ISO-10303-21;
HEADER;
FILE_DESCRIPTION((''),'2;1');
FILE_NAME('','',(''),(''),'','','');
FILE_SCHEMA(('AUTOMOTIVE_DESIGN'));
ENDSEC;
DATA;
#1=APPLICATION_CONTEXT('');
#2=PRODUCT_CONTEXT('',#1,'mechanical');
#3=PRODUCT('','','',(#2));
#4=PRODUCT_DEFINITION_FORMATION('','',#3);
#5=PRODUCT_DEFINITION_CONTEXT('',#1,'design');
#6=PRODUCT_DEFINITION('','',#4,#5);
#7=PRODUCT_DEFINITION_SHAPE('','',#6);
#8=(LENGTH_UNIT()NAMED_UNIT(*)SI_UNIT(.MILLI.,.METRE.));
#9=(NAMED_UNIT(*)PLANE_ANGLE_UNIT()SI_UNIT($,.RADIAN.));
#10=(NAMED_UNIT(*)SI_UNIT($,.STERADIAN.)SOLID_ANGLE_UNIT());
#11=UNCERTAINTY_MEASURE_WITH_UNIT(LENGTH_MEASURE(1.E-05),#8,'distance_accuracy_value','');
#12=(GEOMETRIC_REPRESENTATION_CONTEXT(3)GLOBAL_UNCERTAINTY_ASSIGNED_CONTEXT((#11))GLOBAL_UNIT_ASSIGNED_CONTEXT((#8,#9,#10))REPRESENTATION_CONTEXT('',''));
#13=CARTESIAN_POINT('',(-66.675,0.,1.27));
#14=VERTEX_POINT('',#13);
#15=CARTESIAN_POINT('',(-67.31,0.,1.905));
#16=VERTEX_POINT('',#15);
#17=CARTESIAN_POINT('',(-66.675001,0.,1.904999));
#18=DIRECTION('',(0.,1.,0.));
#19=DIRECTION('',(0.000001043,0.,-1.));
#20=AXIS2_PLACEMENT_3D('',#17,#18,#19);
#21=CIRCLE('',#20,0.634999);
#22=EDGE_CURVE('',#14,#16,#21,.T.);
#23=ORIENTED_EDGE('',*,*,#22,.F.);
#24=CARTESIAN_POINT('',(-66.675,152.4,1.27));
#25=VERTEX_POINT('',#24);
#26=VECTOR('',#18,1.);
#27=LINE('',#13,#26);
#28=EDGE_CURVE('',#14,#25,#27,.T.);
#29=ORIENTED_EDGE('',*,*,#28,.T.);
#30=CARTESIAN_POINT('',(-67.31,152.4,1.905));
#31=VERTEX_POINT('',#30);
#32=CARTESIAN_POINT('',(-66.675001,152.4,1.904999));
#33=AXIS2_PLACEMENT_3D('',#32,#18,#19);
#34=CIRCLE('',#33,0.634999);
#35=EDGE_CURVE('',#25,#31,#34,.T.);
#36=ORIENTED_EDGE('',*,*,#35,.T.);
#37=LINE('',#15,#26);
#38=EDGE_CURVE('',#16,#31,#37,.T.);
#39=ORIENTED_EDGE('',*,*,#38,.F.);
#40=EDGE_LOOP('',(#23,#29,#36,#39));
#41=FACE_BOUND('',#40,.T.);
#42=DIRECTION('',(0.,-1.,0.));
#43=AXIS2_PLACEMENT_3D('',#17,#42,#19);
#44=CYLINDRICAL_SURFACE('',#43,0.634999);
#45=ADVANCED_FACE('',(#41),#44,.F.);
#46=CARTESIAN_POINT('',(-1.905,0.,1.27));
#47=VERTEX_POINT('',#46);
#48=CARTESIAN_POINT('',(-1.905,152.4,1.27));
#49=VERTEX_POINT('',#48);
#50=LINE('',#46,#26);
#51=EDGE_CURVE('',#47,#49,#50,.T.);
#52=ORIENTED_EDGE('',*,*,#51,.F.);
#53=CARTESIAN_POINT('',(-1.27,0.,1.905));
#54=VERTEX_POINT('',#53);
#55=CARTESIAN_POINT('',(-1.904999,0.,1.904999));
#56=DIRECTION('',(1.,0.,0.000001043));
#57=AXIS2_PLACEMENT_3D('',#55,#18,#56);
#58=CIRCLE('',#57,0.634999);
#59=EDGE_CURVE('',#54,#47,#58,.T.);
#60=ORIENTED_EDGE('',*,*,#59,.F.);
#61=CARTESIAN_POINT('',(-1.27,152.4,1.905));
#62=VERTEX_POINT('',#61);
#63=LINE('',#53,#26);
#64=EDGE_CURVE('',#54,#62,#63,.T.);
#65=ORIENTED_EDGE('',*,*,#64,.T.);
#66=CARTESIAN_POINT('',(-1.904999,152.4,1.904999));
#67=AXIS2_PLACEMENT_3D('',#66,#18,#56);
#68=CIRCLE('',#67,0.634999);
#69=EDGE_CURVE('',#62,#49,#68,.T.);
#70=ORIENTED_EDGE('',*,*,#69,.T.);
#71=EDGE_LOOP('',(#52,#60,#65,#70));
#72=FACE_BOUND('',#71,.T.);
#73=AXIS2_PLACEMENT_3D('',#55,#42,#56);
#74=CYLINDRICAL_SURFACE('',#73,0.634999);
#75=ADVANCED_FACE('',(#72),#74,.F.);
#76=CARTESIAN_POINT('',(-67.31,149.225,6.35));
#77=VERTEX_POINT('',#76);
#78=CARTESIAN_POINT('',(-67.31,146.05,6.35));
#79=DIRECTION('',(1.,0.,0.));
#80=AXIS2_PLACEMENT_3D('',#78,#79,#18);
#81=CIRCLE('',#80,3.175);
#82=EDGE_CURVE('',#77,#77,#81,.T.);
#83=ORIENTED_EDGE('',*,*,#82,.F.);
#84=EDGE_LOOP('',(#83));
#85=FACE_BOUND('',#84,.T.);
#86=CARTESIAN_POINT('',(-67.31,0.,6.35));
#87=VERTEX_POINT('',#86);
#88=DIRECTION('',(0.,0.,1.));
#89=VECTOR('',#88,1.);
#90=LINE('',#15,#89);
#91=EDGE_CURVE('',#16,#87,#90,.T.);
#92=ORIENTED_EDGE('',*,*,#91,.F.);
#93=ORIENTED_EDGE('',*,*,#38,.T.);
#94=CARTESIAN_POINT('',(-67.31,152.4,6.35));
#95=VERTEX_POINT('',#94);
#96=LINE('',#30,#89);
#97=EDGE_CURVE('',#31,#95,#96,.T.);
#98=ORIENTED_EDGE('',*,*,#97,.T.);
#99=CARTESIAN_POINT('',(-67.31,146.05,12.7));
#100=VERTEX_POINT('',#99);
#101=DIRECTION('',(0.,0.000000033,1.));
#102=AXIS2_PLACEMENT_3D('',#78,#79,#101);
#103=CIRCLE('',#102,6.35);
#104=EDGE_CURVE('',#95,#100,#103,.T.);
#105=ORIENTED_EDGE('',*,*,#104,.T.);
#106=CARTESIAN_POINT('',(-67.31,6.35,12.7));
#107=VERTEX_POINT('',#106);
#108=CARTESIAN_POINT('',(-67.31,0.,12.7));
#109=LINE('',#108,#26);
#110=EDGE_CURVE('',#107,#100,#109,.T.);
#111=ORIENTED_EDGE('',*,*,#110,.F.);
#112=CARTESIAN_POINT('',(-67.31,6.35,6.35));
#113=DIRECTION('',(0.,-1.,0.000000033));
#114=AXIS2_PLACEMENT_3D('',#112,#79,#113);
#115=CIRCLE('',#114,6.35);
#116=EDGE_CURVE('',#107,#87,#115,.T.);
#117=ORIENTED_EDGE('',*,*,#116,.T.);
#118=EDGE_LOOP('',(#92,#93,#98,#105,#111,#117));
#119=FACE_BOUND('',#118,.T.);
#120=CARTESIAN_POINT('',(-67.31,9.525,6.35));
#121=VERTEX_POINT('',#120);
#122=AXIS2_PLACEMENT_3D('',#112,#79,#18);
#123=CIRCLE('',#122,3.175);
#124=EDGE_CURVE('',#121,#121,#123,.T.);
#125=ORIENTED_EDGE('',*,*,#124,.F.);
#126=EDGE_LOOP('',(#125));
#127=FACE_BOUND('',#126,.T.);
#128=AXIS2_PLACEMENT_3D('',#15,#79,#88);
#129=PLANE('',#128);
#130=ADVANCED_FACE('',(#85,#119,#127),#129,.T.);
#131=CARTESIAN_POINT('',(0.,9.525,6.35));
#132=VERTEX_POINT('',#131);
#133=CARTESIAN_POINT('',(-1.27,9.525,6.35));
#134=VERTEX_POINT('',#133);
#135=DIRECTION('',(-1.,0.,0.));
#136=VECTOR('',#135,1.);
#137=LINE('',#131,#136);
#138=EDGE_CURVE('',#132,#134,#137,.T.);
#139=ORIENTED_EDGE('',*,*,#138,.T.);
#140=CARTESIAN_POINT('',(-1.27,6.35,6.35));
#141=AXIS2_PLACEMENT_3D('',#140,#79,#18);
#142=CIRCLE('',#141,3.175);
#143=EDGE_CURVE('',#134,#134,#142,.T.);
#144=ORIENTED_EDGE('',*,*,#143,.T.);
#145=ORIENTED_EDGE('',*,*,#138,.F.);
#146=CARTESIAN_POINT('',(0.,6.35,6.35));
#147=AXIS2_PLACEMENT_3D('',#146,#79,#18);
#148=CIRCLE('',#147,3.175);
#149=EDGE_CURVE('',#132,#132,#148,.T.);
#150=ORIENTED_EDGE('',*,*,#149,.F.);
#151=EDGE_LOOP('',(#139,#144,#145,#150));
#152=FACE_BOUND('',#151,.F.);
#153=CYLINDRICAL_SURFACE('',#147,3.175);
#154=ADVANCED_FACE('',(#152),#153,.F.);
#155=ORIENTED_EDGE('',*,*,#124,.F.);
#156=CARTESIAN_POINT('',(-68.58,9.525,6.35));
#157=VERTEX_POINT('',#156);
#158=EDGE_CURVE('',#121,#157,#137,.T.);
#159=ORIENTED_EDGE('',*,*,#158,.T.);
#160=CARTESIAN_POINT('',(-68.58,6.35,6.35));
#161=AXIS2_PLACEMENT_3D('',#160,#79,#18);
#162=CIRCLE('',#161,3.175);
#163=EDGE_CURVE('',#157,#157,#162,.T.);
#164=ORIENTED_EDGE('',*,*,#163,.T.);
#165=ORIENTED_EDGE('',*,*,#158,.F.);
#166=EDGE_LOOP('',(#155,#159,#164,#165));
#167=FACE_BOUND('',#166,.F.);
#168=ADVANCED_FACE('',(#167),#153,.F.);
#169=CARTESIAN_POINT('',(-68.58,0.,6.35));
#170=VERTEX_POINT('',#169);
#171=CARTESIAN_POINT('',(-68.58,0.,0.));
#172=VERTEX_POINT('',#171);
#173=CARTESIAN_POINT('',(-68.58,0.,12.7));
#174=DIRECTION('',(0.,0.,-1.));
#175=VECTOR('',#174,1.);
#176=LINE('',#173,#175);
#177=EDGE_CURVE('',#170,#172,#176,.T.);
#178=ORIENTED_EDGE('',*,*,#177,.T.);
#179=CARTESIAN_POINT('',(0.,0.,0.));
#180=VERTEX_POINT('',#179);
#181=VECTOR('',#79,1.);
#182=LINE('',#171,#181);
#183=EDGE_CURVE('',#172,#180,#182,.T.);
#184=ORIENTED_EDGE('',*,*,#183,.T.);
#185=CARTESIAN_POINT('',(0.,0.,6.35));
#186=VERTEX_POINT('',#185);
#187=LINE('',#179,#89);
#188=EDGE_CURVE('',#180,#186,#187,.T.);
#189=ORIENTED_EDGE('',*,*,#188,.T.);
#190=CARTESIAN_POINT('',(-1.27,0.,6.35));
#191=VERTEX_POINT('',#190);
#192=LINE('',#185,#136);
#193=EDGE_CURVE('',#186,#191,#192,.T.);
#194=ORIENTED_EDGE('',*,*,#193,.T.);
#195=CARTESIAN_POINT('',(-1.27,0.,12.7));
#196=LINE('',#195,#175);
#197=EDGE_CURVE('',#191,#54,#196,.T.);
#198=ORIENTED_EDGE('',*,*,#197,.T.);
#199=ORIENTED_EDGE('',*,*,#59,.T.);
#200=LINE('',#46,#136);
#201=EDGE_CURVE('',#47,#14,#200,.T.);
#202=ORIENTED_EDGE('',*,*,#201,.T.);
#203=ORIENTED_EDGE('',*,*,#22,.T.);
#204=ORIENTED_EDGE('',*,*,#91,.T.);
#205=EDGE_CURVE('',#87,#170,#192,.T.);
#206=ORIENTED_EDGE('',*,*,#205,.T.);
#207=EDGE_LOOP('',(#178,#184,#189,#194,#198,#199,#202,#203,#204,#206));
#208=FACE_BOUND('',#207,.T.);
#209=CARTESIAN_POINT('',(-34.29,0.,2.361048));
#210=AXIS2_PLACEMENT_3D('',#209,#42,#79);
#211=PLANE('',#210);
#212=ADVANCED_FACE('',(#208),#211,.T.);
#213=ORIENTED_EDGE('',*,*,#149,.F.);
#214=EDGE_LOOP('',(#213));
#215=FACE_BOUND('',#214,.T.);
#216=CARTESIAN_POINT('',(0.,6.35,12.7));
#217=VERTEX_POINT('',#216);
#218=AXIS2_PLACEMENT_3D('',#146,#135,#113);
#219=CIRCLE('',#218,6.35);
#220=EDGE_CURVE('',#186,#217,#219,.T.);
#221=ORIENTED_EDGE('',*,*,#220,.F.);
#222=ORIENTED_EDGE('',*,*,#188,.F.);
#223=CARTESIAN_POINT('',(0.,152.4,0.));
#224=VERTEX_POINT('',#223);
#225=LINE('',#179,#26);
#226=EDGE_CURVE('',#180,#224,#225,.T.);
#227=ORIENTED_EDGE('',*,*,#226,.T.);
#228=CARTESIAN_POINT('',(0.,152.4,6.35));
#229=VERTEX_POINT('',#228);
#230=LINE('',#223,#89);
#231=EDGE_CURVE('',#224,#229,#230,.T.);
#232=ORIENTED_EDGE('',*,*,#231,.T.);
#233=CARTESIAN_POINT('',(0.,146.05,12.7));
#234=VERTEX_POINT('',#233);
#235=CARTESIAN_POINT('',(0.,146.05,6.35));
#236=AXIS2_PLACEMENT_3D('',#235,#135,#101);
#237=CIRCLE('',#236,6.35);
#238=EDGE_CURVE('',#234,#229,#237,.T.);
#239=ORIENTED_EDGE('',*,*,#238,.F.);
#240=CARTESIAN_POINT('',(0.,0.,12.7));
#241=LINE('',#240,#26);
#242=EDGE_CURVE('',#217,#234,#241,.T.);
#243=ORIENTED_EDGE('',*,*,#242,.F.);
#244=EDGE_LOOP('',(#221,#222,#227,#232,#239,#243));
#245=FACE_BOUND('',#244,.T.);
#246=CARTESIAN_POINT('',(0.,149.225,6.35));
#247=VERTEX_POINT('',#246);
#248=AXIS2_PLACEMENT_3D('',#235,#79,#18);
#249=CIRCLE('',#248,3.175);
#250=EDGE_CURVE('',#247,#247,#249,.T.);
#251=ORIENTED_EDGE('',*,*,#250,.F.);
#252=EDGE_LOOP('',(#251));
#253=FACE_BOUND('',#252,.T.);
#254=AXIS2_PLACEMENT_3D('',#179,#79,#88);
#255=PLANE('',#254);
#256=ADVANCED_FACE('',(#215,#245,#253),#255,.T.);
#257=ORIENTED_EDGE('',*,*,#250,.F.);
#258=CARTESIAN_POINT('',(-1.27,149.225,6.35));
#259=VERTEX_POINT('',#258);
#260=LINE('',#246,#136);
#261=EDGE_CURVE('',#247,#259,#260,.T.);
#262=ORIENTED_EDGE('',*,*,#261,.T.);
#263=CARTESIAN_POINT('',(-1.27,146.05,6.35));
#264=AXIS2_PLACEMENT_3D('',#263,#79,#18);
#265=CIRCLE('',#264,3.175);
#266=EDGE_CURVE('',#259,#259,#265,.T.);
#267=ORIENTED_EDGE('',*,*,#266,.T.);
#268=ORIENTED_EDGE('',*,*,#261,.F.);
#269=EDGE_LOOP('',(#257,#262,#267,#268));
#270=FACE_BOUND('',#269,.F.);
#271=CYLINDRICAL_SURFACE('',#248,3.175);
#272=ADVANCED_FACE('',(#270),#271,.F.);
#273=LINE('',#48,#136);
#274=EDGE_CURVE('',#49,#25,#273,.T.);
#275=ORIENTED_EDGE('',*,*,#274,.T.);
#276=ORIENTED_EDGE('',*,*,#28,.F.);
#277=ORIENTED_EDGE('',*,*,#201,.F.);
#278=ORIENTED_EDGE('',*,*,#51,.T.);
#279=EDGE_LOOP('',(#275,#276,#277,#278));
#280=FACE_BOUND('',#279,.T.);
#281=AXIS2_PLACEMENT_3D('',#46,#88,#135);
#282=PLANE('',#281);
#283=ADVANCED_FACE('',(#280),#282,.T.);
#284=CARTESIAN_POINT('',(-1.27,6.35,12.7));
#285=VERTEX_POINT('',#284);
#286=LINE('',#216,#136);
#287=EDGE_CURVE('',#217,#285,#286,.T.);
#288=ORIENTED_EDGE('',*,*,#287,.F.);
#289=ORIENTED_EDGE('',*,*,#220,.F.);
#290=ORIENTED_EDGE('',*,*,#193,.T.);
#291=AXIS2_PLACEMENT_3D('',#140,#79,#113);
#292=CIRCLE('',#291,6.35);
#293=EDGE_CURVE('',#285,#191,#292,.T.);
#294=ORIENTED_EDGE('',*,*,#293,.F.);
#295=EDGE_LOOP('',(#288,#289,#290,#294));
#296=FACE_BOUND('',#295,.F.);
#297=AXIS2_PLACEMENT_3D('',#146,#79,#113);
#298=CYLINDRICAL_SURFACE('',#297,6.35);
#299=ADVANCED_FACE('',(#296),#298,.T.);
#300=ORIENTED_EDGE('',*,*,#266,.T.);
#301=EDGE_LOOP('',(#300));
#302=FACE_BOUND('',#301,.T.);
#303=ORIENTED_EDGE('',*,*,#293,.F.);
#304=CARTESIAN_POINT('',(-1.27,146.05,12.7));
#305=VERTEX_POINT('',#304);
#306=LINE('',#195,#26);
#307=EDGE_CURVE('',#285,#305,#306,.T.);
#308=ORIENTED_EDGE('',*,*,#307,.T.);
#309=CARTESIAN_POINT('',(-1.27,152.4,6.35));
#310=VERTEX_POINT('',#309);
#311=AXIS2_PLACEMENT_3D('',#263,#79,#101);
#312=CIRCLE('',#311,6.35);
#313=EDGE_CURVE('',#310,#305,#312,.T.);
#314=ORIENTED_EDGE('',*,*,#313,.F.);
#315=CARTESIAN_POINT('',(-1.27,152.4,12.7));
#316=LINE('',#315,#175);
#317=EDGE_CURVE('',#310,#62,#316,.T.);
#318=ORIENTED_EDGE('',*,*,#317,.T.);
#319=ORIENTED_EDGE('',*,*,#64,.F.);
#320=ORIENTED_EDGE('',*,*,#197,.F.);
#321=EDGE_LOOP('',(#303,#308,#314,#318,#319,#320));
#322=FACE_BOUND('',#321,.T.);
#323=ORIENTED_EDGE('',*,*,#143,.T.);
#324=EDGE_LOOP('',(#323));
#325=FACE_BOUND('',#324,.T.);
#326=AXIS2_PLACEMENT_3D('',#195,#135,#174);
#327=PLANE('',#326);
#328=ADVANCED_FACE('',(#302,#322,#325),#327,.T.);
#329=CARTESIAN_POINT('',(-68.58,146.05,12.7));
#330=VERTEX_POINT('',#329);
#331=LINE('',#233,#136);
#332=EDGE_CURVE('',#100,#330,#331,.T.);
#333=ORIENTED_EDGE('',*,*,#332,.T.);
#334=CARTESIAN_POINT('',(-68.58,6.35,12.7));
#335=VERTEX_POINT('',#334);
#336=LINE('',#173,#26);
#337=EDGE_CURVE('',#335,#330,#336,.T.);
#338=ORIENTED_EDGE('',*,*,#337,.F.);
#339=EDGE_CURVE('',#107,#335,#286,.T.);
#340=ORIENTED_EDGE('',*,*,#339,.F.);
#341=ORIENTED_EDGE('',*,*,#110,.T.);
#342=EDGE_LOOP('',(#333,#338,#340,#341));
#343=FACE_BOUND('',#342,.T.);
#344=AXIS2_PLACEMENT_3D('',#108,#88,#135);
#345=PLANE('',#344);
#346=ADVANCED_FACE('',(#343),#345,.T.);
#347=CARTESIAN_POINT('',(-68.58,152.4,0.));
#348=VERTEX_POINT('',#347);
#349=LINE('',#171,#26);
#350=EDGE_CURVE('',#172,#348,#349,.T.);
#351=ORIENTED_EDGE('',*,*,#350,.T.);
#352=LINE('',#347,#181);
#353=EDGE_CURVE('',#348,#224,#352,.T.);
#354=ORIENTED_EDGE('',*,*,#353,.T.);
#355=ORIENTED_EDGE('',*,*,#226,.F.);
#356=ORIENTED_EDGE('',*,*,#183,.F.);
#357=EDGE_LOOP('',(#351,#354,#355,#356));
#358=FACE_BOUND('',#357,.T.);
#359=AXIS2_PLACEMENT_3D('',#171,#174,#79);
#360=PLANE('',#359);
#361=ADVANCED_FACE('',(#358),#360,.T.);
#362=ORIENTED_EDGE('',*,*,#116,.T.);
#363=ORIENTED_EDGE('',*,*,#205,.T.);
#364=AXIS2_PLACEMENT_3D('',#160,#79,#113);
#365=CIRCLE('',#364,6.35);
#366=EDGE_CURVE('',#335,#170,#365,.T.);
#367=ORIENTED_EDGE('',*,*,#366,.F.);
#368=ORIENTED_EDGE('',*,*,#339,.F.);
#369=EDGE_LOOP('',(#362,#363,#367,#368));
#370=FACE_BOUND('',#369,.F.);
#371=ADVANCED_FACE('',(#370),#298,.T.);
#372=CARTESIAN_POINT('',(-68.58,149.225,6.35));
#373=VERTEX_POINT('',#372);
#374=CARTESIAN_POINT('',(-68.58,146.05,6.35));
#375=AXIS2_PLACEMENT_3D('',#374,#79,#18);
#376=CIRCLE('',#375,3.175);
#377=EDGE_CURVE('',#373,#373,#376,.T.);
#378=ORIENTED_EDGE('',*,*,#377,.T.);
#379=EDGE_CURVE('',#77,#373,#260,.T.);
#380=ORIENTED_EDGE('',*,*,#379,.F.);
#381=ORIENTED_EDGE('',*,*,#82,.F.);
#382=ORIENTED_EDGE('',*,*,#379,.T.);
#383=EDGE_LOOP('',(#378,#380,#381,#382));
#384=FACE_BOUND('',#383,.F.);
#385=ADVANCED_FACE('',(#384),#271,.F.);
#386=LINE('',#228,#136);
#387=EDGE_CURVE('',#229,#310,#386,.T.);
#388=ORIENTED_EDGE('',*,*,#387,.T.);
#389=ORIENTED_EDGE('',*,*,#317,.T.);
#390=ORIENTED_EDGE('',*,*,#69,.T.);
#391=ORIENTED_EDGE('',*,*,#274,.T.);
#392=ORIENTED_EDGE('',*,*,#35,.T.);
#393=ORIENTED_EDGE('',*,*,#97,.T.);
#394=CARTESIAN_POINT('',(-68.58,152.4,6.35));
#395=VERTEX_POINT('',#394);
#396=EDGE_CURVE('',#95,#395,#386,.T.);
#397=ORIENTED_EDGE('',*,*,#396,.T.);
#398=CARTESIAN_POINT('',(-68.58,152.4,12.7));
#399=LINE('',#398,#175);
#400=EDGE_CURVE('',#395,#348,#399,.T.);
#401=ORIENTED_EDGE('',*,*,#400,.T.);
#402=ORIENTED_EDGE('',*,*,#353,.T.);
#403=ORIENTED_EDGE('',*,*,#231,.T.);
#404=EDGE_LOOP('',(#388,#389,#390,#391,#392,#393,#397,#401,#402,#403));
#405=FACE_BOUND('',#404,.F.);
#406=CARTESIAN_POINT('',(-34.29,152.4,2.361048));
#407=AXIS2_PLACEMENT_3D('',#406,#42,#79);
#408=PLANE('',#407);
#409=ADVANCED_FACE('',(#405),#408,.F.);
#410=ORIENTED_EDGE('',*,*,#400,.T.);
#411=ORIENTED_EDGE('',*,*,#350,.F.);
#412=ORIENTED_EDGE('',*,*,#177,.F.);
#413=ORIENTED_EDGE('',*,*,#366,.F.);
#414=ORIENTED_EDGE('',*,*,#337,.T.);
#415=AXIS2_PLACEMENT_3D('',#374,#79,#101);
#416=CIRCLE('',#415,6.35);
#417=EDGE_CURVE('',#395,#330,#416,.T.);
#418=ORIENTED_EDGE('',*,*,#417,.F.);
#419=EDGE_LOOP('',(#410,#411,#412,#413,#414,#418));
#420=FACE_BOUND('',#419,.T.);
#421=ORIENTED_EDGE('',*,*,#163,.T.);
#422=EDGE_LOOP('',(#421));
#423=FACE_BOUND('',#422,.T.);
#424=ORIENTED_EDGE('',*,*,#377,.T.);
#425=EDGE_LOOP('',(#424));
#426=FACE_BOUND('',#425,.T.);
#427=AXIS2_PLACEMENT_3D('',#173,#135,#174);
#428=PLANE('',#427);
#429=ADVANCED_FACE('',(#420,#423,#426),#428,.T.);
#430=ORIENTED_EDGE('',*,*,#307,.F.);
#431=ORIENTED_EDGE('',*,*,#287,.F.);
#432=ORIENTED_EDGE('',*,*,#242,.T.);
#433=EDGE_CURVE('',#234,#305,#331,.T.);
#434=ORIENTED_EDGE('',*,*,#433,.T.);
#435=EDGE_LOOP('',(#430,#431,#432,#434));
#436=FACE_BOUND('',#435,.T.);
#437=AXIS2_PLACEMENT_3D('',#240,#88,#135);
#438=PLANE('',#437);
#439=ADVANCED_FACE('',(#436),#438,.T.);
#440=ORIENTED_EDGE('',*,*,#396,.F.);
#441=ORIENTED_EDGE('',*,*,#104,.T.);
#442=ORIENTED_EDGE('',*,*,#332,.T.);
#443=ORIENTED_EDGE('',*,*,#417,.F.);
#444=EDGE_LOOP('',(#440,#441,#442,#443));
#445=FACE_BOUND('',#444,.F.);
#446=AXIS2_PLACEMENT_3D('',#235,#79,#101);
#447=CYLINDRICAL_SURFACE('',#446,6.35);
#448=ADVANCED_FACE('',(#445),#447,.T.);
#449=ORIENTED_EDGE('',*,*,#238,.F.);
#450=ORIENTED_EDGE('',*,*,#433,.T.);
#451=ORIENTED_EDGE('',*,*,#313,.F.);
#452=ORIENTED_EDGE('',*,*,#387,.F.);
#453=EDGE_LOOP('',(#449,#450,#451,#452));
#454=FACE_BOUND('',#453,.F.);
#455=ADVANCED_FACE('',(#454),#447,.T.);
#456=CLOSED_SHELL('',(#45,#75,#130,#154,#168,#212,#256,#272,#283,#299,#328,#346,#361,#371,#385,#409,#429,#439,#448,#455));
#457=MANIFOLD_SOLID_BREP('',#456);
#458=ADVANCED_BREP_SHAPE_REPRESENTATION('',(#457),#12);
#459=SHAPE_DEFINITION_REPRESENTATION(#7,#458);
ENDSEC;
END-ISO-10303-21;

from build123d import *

# Parameters (mm, degrees)
F1_DEPTH = 152.4
F2_R     = 3.175
F3_DEPTH = 68.581


with BuildPart() as f1:
    # F0 (on Front) → F1 (new body)
    with BuildSketch(Plane.XZ):
        with BuildLine():
            Line((-68.58, 0), (0, 0))
            Line((0, 0), (0, 12.7))
            Line((0, 12.7), (-1.27, 12.7))
            Line((-1.27, 12.7), (-1.27, 1.905))
            ThreePointArc((-1.27, 1.905), (-1.455987, 1.455987), (-1.905, 1.27))
            Line((-1.905, 1.27), (-66.675, 1.27))
            ThreePointArc((-66.675, 1.27), (-67.124013, 1.455987), (-67.31, 1.905))
            Line((-67.31, 1.905), (-67.31, 12.7))
            Line((-67.31, 12.7), (-68.58, 12.7))
            Line((-68.58, 12.7), (-68.58, 0))
        make_face()
    extrude(amount=-F1_DEPTH)

    # F2 (on face) → F3 (cut, through all)
    with BuildSketch(Plane.YZ):
        with Locations((6.35, 6.35)):
            Circle(F2_R)
        with BuildLine():
            ThreePointArc((0, 6.35), (1.859872, 10.840128), (6.35, 12.7))
            Line((6.35, 12.7), (0, 12.7))
            Line((0, 12.7), (0, 6.35))
        make_face()
        with Locations((146.05, 6.35)):
            Circle(F2_R)
        with BuildLine():
            Line((152.4, 12.7), (146.05, 12.7))
            ThreePointArc((146.05, 12.7), (150.540128, 10.840128), (152.4, 6.35))
            Line((152.4, 6.35), (152.4, 12.7))
        make_face()
    extrude(amount=-F3_DEPTH, mode=Mode.SUBTRACT)


solid = f1.part
